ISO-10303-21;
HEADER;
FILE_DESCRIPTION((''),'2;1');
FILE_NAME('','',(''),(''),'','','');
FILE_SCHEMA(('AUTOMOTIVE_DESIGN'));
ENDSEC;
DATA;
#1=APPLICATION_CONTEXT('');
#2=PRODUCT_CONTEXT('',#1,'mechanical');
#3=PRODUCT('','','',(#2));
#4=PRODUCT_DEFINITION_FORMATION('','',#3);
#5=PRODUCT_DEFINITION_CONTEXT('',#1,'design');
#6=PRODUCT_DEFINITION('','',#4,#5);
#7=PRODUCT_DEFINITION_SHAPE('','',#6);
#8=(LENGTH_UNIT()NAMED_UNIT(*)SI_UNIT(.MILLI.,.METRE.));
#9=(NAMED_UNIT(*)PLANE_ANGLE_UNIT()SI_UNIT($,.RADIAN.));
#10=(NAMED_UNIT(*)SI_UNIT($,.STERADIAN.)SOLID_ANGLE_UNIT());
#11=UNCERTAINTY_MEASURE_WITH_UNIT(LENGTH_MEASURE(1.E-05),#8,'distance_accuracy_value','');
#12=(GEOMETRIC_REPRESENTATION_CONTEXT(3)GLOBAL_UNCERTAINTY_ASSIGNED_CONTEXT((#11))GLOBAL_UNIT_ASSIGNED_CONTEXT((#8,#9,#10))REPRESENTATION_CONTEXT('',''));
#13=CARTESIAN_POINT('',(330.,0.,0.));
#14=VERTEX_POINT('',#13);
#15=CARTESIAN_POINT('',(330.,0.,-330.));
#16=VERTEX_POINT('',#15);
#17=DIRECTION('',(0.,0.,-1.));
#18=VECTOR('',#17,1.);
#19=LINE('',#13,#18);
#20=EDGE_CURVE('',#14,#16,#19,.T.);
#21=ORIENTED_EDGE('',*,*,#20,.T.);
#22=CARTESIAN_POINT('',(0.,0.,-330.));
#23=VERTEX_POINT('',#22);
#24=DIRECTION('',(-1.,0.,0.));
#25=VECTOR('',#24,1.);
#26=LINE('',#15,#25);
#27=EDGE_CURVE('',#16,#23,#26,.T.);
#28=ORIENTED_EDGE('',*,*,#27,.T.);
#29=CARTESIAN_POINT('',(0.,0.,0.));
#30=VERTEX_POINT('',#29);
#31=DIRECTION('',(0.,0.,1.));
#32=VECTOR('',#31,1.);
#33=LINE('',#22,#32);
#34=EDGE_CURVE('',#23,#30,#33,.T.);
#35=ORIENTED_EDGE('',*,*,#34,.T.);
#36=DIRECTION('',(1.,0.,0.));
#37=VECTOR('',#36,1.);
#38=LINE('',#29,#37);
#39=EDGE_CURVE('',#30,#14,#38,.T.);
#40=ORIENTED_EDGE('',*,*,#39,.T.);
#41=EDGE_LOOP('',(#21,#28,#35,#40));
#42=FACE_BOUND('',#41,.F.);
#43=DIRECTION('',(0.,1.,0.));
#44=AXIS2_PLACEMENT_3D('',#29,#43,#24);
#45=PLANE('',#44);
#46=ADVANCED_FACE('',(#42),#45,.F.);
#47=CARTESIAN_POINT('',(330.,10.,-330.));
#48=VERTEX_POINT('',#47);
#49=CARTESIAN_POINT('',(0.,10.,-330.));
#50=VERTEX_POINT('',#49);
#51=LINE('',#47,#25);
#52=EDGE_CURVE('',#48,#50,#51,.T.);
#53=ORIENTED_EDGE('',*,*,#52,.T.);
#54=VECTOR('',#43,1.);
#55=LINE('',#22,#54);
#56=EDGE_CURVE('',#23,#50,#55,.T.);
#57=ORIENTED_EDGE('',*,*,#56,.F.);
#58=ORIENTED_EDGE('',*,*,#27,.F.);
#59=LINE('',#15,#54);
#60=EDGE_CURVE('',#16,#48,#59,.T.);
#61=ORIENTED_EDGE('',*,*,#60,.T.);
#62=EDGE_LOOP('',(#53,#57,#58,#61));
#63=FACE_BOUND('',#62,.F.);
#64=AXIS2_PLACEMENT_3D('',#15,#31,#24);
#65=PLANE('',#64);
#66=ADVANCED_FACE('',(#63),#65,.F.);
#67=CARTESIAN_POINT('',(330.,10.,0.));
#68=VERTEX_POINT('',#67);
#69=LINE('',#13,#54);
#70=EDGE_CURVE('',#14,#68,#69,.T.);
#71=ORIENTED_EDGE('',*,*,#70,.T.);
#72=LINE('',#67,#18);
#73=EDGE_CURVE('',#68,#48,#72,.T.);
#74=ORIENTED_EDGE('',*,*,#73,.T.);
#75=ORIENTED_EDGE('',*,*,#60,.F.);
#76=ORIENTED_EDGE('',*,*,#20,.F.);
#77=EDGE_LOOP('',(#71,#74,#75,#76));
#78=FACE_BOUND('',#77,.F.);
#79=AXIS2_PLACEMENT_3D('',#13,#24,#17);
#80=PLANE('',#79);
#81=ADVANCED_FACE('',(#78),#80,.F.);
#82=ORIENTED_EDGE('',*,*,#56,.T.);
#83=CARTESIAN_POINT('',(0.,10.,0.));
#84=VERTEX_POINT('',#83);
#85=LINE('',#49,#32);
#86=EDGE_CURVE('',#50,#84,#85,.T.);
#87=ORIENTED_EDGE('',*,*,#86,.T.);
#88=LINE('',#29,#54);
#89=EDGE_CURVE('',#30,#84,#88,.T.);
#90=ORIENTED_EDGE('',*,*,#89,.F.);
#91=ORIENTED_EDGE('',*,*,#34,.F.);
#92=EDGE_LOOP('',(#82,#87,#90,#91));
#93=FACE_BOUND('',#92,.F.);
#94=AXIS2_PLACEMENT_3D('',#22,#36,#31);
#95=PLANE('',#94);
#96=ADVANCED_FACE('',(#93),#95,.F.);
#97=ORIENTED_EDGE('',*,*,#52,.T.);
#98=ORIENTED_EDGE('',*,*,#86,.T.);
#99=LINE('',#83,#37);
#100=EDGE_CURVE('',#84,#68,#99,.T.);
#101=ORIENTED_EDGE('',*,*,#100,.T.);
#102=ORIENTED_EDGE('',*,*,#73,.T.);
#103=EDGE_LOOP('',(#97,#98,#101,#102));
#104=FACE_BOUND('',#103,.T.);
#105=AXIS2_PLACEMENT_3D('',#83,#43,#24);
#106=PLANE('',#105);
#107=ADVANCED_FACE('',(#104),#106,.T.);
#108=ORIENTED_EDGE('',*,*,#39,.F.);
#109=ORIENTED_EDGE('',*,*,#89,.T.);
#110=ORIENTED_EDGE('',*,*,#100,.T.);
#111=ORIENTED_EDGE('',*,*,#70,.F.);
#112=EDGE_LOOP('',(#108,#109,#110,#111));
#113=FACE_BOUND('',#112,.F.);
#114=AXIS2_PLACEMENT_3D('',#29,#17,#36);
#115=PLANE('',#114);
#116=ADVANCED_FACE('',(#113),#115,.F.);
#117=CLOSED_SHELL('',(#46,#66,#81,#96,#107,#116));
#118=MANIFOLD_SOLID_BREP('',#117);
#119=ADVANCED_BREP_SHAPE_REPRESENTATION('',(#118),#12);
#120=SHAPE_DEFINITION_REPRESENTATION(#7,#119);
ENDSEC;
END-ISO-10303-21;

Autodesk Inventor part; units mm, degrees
ref_plane "YZ Plane" through (0, 0, 0) normal (1, 0, 0) x (0, 1, 0)
ref_plane "XZ Plane" through (0, 0, 0) normal (0, 1, 0) x (-1, 0, 0)
ref_plane "XY Plane" through (0, 0, 0) normal (0, 0, 1) x (1, 0, 0)
sketch "스케치1" plane through (0, 0, 0) normal (0, 1, 0) x (-1, 0, 0)
  line L0 (0, 0) -> (-330, 0)
  line L1 (-330, 0) -> (-330, -330)
  line L2 (-330, -330) -> (0, -330)
  line L3 (0, -330) -> (0, 0)
  dimension "d0" = 330
  dimension "d1" = 330
extrude "돌출1" add sketch "스케치1" along normal blind 10
properties part number "바닥판"
